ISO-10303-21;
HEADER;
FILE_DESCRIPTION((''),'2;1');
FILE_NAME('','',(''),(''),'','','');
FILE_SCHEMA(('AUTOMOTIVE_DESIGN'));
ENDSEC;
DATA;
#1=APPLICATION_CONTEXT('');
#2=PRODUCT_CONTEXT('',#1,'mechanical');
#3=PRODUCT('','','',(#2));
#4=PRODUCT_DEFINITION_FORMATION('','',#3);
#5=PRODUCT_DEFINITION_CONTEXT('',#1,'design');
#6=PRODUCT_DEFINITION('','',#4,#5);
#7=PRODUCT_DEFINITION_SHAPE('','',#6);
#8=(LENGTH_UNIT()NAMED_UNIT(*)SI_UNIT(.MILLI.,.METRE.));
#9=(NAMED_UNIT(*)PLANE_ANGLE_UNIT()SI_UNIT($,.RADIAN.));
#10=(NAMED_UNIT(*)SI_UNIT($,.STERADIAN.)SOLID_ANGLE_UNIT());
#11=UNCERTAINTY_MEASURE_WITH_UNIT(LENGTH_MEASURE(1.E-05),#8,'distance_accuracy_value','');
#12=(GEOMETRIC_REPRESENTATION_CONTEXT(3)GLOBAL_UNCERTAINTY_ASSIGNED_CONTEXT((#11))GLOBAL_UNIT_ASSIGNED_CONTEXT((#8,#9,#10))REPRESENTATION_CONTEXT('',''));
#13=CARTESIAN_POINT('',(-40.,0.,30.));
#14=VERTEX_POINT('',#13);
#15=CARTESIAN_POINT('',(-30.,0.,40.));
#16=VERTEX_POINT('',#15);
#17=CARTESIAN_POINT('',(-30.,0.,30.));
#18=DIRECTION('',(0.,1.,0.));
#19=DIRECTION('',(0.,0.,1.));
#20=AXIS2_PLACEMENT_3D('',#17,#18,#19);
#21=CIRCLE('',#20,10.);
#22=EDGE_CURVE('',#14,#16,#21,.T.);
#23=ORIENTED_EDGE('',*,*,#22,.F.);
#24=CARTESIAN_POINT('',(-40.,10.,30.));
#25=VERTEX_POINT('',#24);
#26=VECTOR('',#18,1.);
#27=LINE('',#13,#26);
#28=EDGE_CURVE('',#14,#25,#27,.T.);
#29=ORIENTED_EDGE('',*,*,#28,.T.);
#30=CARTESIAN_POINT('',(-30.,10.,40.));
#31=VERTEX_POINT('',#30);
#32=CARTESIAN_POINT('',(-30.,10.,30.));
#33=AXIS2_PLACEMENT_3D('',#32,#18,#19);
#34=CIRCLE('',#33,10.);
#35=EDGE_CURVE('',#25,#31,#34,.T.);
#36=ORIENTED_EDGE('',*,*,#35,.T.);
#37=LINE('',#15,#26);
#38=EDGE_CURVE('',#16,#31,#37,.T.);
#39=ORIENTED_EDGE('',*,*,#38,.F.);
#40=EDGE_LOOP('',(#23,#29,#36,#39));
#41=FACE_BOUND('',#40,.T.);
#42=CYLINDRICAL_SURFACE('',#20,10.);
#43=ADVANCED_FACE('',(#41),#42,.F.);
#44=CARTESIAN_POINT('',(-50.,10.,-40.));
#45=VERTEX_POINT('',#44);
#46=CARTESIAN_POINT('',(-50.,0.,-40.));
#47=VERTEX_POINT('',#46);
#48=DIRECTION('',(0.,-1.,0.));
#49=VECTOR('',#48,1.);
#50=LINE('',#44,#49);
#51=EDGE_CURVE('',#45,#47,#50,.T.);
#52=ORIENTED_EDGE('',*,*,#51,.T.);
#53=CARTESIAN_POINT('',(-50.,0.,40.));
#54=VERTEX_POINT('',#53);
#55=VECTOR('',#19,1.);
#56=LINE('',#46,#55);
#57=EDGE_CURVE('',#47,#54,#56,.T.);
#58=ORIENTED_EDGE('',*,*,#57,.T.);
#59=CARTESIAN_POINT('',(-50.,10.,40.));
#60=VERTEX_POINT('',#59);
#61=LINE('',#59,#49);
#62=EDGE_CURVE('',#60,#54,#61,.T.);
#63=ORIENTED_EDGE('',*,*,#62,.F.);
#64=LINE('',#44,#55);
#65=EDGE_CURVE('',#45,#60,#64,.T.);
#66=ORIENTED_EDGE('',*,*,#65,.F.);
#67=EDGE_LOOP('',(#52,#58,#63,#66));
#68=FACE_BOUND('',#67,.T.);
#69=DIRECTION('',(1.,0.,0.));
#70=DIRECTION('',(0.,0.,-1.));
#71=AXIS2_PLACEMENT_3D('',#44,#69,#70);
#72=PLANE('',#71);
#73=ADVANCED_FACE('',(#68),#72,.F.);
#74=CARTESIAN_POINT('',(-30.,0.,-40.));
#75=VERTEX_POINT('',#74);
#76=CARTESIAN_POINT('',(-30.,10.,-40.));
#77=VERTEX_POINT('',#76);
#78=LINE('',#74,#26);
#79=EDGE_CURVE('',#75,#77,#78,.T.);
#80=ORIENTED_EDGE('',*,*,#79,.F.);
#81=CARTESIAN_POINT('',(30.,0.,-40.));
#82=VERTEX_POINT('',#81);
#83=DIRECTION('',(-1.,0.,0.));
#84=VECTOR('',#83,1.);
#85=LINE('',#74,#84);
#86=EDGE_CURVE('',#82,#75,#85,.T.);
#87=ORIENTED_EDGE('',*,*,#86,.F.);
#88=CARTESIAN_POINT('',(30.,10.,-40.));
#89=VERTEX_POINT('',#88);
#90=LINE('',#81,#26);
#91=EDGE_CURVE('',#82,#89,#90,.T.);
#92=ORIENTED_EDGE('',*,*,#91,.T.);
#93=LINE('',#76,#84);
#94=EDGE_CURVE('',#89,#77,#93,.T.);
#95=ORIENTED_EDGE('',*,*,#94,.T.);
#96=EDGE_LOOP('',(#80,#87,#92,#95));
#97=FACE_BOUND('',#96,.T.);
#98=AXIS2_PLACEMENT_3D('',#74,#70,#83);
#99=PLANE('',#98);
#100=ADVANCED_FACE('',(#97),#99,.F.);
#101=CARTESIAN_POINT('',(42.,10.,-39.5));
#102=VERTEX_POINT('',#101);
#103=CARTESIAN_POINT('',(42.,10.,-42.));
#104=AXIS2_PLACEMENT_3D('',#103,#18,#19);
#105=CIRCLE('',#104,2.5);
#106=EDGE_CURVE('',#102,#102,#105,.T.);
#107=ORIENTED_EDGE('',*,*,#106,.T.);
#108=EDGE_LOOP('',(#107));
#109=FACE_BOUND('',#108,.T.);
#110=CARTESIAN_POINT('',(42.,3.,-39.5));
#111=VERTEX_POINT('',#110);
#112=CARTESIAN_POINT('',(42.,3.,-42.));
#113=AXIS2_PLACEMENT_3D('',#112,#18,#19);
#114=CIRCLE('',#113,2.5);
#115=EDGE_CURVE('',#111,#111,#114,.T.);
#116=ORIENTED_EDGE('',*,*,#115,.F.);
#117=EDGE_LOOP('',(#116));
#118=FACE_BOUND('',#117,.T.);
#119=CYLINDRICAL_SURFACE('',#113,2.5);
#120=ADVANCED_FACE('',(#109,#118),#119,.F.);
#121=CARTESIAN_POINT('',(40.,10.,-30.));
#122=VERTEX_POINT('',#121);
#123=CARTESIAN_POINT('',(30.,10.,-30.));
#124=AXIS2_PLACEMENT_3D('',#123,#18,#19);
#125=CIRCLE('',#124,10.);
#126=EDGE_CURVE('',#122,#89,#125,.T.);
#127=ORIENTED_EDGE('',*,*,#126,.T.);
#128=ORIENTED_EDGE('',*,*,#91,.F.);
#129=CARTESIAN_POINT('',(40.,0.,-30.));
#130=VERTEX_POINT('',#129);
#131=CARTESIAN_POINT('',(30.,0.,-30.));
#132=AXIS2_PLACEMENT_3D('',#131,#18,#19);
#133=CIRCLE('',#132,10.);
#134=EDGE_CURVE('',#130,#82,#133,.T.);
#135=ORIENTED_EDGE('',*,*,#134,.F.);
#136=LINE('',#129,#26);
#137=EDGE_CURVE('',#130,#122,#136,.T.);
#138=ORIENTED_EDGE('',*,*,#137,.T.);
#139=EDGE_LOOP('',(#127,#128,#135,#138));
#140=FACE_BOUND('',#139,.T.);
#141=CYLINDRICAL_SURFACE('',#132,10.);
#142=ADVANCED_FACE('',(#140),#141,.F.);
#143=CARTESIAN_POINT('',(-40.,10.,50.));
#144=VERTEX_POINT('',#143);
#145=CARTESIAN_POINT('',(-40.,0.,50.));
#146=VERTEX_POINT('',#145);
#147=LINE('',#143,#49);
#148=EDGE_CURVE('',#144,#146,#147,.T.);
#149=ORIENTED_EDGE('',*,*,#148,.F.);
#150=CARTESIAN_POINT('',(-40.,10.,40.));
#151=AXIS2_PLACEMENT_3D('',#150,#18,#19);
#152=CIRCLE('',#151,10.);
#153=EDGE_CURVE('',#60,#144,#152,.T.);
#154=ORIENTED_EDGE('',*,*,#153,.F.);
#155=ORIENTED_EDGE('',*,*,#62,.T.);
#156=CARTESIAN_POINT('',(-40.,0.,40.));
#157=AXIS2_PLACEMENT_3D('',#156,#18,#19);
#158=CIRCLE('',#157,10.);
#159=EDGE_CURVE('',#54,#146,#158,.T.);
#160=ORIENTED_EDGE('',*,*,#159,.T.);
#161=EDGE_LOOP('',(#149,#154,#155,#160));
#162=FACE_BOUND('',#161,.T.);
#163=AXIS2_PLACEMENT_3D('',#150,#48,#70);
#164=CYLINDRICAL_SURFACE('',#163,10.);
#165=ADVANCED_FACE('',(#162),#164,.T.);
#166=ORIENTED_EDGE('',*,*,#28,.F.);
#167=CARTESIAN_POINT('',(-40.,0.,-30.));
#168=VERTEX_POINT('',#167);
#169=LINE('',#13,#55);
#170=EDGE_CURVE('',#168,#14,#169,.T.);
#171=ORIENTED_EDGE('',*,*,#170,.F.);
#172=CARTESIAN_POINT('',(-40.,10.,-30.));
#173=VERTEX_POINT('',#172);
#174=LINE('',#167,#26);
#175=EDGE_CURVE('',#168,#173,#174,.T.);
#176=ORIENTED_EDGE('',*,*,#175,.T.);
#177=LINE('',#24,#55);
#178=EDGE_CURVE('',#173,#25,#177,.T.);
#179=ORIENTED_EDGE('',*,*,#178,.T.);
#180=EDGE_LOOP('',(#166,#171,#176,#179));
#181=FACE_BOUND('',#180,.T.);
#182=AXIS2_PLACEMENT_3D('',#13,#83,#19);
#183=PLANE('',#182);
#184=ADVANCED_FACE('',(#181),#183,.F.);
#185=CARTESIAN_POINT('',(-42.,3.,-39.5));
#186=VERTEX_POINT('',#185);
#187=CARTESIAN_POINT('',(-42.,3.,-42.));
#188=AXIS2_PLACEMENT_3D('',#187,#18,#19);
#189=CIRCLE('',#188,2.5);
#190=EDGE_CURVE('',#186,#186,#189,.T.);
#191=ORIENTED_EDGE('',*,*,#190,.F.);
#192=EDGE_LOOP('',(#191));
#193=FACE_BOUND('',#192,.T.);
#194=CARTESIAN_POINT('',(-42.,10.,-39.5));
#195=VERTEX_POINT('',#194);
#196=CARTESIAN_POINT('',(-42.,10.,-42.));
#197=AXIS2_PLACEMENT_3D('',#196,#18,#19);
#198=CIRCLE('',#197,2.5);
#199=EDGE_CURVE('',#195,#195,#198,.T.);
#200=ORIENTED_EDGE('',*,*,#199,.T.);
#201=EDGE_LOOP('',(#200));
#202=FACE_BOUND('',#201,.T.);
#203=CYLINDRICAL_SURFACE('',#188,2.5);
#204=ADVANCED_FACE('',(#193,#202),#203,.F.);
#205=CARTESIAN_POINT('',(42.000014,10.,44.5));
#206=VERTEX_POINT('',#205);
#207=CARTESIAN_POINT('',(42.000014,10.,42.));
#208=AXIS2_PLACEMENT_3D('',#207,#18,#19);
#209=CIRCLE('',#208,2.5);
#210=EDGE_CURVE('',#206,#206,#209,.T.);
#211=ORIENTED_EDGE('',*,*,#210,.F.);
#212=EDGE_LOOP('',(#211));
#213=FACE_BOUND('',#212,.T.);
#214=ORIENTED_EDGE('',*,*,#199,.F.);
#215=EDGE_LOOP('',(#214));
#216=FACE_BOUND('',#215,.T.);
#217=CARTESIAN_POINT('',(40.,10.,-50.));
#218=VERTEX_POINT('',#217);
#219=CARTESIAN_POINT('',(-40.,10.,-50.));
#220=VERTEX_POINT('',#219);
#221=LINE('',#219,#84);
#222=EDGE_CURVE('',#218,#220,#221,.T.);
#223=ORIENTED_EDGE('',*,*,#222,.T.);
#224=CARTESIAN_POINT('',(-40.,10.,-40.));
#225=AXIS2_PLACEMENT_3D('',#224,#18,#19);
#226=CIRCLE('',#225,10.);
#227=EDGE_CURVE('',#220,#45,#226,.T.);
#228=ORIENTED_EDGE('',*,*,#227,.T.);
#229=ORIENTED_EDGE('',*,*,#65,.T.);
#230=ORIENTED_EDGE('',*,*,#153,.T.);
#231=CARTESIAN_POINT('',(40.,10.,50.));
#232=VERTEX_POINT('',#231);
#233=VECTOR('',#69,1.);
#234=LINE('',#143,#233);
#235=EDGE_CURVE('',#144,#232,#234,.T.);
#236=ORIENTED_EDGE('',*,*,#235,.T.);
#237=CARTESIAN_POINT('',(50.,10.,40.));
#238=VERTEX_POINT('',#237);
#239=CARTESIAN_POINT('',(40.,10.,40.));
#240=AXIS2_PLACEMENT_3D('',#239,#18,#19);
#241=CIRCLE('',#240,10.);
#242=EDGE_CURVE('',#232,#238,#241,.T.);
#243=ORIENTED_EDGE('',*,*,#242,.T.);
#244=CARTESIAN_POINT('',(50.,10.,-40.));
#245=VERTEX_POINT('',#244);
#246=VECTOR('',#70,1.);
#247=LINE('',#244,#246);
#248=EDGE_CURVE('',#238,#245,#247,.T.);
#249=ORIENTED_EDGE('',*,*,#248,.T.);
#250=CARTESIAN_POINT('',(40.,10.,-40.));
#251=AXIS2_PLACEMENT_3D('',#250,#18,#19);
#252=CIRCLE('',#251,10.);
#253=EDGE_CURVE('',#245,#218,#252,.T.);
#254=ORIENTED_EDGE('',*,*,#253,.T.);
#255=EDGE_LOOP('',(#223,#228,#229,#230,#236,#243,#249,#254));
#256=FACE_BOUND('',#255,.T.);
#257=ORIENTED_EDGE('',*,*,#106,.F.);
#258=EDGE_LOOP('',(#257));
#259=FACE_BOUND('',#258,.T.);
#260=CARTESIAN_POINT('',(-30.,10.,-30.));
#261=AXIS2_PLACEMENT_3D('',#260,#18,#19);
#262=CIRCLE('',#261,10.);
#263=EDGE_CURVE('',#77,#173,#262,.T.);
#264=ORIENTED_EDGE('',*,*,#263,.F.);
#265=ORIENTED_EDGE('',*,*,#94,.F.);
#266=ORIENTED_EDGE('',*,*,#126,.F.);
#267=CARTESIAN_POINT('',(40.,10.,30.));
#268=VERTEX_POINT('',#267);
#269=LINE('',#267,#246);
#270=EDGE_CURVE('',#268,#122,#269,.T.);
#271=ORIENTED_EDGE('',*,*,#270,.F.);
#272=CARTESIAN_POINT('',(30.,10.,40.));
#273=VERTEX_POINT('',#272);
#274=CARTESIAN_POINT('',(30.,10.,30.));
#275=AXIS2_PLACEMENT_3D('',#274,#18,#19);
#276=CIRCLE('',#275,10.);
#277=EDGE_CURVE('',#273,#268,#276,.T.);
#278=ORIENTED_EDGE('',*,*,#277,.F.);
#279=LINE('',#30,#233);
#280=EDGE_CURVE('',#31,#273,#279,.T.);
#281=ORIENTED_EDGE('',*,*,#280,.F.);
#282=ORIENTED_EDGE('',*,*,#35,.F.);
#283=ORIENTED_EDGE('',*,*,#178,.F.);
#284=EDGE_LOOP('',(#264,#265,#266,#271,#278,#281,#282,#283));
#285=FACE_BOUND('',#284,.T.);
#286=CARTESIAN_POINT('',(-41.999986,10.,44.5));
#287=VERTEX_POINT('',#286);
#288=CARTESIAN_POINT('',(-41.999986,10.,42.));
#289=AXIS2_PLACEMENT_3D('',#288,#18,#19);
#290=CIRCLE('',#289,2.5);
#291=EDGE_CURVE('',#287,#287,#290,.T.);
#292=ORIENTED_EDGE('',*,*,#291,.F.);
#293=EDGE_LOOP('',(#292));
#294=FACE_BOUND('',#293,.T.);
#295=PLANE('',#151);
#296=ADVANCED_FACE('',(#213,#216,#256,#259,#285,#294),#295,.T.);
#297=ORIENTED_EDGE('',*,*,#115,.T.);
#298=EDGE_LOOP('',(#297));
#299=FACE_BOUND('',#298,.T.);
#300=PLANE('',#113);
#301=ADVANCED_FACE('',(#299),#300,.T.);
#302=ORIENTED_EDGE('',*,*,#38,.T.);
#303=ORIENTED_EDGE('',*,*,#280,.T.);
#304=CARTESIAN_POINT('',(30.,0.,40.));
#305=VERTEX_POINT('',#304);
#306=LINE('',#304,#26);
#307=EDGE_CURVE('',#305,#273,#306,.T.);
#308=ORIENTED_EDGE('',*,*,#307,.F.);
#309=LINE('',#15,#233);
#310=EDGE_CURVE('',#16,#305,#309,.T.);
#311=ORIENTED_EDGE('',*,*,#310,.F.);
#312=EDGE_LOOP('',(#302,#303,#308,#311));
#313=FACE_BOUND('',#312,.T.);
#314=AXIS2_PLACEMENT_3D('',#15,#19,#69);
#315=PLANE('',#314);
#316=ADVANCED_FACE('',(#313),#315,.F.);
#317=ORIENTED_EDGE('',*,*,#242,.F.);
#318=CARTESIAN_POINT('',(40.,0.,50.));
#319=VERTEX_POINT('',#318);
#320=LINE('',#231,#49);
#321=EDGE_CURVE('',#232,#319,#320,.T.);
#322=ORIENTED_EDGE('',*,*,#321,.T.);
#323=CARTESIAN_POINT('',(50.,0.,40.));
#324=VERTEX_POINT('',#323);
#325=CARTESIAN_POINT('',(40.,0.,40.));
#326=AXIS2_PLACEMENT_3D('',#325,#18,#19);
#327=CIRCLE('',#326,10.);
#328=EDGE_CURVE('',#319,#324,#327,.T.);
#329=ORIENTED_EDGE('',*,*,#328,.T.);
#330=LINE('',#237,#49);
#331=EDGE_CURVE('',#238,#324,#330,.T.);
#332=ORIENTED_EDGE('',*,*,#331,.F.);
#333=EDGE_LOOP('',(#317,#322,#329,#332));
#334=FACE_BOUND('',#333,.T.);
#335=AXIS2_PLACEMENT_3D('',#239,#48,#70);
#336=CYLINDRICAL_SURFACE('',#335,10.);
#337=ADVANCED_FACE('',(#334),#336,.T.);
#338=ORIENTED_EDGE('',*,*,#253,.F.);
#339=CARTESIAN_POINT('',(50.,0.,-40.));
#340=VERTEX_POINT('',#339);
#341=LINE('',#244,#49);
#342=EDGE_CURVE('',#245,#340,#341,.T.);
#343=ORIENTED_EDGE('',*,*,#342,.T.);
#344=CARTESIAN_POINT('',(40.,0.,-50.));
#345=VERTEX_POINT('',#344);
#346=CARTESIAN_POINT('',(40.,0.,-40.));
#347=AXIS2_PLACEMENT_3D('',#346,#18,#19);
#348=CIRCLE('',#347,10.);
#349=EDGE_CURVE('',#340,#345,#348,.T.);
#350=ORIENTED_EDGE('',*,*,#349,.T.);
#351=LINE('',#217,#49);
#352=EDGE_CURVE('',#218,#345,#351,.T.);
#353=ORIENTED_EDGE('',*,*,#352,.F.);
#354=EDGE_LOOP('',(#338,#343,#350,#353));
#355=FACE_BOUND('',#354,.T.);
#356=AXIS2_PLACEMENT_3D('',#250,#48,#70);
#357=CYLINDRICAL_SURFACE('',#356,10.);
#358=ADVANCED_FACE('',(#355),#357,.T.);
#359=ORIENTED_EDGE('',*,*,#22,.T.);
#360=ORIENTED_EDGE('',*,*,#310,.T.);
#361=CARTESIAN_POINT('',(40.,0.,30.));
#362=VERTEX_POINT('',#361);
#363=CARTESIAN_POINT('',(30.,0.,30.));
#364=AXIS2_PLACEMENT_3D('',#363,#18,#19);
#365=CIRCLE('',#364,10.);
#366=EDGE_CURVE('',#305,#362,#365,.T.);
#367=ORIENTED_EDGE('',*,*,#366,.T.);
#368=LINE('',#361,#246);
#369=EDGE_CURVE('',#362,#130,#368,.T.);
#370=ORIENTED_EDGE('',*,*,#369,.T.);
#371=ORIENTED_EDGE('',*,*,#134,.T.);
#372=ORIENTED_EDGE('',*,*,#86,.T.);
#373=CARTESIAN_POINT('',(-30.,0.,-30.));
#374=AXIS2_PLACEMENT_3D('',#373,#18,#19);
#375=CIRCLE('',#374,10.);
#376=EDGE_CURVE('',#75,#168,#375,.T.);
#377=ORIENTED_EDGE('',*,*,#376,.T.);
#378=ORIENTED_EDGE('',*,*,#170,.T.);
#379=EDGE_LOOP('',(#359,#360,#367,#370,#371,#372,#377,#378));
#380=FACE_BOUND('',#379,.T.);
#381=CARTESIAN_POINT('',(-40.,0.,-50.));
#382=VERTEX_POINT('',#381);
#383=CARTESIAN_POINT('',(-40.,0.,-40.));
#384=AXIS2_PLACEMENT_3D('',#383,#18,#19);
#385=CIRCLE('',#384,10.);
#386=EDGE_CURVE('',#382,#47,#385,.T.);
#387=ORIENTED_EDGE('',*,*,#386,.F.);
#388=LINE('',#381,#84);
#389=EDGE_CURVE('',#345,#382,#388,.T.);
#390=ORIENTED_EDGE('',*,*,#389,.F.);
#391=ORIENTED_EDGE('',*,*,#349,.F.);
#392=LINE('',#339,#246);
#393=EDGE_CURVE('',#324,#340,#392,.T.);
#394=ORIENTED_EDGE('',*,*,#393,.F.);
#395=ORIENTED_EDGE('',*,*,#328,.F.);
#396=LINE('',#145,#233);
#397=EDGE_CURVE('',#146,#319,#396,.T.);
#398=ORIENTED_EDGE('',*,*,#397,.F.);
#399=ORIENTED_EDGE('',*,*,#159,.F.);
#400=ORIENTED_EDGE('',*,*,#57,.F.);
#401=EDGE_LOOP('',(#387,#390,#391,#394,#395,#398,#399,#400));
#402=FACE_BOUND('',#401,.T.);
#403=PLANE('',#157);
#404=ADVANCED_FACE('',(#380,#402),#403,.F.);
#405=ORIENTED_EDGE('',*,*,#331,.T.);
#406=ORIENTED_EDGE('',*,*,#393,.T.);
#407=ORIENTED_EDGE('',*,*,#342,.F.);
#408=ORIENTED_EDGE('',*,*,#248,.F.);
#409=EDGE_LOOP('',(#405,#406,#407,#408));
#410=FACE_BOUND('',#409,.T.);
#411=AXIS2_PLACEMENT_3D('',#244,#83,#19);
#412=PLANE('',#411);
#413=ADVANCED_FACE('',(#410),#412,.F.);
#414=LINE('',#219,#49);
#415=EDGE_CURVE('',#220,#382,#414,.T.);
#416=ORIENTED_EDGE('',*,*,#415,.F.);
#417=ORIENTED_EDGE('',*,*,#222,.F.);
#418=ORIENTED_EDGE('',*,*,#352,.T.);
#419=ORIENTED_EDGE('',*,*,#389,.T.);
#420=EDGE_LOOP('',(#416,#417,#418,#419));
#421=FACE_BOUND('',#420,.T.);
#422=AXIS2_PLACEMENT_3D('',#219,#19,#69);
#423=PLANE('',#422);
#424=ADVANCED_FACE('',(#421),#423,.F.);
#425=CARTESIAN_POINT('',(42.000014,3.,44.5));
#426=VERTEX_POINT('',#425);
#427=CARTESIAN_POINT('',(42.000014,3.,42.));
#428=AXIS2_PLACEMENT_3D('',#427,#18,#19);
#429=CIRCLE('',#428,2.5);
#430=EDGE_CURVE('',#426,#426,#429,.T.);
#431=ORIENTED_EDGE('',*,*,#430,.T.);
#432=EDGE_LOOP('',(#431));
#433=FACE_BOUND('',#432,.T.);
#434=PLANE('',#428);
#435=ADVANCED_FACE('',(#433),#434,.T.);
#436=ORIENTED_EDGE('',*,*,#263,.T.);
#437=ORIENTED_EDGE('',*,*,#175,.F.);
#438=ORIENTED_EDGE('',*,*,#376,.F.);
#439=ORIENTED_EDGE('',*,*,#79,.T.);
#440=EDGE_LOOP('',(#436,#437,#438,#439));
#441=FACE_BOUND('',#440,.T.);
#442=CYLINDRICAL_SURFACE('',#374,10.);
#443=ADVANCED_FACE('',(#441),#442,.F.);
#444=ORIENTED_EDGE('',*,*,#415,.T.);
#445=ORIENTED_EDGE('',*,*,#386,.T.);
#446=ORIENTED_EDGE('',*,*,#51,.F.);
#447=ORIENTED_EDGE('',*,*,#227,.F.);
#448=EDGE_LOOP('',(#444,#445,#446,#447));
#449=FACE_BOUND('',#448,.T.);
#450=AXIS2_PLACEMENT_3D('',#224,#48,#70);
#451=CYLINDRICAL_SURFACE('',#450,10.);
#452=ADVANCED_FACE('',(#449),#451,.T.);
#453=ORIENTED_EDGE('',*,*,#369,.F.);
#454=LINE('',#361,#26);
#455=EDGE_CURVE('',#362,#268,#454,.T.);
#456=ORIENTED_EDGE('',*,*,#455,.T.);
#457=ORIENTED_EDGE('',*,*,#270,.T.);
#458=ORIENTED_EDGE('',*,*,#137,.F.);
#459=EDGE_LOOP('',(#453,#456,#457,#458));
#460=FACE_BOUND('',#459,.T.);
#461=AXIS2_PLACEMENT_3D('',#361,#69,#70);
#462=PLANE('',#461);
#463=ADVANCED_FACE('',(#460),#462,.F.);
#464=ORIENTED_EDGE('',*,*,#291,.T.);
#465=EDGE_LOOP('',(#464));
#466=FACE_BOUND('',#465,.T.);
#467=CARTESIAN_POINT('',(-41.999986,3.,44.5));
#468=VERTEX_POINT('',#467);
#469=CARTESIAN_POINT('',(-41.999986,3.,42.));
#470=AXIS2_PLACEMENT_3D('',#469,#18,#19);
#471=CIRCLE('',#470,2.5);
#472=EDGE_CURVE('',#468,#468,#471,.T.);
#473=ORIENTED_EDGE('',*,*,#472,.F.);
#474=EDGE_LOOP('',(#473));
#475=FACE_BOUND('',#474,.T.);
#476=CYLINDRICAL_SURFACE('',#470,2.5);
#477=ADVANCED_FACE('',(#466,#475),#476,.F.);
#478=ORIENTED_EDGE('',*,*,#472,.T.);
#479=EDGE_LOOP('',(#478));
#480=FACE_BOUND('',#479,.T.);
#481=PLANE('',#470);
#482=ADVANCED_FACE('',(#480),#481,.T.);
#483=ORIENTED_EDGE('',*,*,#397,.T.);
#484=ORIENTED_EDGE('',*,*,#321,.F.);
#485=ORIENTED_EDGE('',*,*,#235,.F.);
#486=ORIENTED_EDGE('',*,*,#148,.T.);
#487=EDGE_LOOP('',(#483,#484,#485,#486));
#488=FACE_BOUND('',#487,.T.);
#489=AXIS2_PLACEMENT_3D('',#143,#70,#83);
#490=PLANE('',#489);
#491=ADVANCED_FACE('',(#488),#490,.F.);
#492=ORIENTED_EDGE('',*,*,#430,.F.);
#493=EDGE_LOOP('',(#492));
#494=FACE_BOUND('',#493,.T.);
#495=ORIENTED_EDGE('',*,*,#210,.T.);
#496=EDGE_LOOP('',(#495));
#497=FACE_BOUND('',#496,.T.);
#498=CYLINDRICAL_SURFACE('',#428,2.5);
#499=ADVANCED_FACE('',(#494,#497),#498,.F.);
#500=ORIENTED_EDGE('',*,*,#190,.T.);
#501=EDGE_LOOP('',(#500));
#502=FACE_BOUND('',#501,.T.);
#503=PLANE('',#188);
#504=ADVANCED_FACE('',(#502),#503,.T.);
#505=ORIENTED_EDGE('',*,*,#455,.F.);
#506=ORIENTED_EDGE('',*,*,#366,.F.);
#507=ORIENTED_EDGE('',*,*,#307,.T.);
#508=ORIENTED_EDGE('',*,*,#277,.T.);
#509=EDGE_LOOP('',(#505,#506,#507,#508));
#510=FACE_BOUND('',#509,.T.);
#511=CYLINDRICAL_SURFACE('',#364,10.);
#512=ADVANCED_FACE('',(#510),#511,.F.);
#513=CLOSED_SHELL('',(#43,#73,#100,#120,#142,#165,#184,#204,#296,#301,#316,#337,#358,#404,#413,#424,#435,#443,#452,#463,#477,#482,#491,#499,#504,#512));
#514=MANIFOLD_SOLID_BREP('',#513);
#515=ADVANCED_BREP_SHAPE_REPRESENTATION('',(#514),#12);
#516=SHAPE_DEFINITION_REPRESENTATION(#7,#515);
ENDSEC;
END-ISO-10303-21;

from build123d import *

# Parameters (mm, degrees)
BOSS_EXTRUDE1_DEPTH = 10
CUT_EXTRUDE1_DEPTH  = 10
SKETCH3_R           = 2.5
CUT_EXTRUDE2_DEPTH  = 7


with BuildPart() as part:
    # Sketch1 → Boss-Extrude1 (new body)
    with BuildSketch(Plane(origin=(0, 0, 0), x_dir=(1, 0, 0), z_dir=(0, 1, 0))):
        with BuildLine():
            Line((-40, 50), (40, 50))
            ThreePointArc((40, 50), (47.071067812, 47.071067812), (50, 40))
            Line((50, 40), (50, -40))
            ThreePointArc((50, -40), (47.071067812, -47.071067812), (40, -50))
            Line((40, -50), (-40, -50))
            ThreePointArc((-40, -50), (-47.071067812, -47.071067812), (-50, -40))
            Line((-50, -40), (-50, 40))
            ThreePointArc((-50, 40), (-47.071067812, 47.071067812), (-40, 50))
        make_face()
    extrude(amount=BOSS_EXTRUDE1_DEPTH)

    # Sketch2 → Cut-Extrude1 (cut)
    with BuildSketch(Plane(origin=(0, 10, 0), x_dir=(1, 0, 0), z_dir=(0, 1, 0))):
        with BuildLine():
            Line((-30, -40), (30, -40))
            ThreePointArc((30, -40), (37.071067812, -37.071067812), (40, -30))
            Line((40, -30), (40, 30))
            ThreePointArc((40, 30), (37.071067812, 37.071067812), (30, 40))
            Line((30, 40), (-30, 40))
            ThreePointArc((-30, 40), (-37.071067812, 37.071067812), (-40, 30))
            Line((-40, 30), (-40, -30))
            ThreePointArc((-40, -30), (-37.071067812, -37.071067812), (-30, -40))
        make_face()
    extrude(amount=-CUT_EXTRUDE1_DEPTH, mode=Mode.SUBTRACT)

    # Sketch3 → Cut-Extrude2 (cut)
    with BuildSketch(Plane(origin=(0, 10, 0), x_dir=(1, 0, 0), z_dir=(0, 1, 0))):
        with Locations(Location((-42, 42, 0), (0, 0, 270))):
            Circle(SKETCH3_R)
        with Locations(Location((42, 42, 0), (0, 0, 270))):
            Circle(SKETCH3_R)
        with Locations(Location((42.000013816, -42, 0), (0, 0, 270))):
            Circle(SKETCH3_R)
        with Locations(Location((-41.999986184, -42, 0), (0, 0, 270))):
            Circle(SKETCH3_R)
    extrude(amount=-CUT_EXTRUDE2_DEPTH, mode=Mode.SUBTRACT)


solid = part.part
